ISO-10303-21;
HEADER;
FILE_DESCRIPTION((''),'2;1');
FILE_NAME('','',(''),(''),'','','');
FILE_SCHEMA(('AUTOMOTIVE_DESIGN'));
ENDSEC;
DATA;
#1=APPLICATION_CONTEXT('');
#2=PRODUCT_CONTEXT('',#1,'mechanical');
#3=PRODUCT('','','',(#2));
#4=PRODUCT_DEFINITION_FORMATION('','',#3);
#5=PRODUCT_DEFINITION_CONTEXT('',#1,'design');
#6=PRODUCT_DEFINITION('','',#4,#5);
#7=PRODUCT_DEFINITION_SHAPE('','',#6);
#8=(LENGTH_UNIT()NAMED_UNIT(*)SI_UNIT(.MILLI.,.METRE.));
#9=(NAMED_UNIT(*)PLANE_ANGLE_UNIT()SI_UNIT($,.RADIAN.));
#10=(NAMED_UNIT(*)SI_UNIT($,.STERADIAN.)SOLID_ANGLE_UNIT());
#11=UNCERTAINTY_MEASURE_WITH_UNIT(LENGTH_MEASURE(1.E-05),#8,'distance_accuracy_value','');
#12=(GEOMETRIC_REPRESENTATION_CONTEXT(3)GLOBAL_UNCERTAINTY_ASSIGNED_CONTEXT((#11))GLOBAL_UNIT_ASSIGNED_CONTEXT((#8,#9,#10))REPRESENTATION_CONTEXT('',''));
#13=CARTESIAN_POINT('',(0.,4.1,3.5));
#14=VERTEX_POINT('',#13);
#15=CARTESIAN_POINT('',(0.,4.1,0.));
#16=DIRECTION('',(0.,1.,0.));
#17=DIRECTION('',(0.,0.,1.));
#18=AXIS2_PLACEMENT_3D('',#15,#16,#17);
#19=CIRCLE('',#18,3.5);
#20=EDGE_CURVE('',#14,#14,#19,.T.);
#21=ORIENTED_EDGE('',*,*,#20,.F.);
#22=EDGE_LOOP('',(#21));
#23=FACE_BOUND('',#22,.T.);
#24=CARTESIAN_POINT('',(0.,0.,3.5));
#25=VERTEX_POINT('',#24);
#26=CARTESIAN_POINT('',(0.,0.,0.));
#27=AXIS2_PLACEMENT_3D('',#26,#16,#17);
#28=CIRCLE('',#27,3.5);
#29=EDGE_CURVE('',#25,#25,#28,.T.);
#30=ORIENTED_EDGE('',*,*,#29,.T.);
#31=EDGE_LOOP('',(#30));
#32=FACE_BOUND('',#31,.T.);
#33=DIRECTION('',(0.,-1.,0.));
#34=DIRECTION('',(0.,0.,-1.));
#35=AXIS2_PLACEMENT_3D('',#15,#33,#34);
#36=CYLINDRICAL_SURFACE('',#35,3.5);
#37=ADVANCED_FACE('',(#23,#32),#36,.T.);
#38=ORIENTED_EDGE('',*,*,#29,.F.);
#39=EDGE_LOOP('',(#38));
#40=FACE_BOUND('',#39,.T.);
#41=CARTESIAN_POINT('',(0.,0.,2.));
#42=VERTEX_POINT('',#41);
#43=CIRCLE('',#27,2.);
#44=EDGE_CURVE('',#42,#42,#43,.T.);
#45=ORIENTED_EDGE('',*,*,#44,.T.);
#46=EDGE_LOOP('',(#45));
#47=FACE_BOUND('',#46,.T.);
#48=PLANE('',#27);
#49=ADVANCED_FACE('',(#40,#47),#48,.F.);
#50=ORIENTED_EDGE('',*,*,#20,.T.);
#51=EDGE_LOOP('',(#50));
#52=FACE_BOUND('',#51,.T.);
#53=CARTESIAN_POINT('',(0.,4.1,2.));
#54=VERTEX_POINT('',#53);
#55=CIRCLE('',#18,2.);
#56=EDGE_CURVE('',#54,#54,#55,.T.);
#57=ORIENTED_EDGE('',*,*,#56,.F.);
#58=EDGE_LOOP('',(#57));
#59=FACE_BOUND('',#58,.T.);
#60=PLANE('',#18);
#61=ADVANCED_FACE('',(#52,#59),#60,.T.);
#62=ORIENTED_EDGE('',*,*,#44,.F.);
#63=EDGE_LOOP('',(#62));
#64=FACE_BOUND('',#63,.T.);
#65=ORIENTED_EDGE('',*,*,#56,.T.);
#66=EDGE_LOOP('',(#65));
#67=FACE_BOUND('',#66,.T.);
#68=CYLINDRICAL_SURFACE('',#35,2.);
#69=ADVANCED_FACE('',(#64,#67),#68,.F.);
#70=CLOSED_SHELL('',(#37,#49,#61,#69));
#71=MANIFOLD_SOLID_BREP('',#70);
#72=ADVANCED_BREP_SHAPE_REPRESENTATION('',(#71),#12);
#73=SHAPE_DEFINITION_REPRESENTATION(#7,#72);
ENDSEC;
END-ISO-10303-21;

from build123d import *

# Parameters (mm, degrees)
SKETCH1_R           = 3.5
SKETCH1_R_2         = 2
BOSS_EXTRUDE1_DEPTH = 4.1


with BuildPart() as part:
    # Sketch1 → Boss-Extrude1 (new body)
    with BuildSketch(Plane(origin=(0, 0, 0), x_dir=(1, 0, 0), z_dir=(0, 1, 0))):
        with Locations(Location((0, 0, 0), (0, 0, 270))):
            Circle(SKETCH1_R)
        with Locations(Location((0, 0, 0), (0, 0, 270))):
            Circle(SKETCH1_R_2, mode=Mode.SUBTRACT)
    extrude(amount=BOSS_EXTRUDE1_DEPTH)


solid = part.part
